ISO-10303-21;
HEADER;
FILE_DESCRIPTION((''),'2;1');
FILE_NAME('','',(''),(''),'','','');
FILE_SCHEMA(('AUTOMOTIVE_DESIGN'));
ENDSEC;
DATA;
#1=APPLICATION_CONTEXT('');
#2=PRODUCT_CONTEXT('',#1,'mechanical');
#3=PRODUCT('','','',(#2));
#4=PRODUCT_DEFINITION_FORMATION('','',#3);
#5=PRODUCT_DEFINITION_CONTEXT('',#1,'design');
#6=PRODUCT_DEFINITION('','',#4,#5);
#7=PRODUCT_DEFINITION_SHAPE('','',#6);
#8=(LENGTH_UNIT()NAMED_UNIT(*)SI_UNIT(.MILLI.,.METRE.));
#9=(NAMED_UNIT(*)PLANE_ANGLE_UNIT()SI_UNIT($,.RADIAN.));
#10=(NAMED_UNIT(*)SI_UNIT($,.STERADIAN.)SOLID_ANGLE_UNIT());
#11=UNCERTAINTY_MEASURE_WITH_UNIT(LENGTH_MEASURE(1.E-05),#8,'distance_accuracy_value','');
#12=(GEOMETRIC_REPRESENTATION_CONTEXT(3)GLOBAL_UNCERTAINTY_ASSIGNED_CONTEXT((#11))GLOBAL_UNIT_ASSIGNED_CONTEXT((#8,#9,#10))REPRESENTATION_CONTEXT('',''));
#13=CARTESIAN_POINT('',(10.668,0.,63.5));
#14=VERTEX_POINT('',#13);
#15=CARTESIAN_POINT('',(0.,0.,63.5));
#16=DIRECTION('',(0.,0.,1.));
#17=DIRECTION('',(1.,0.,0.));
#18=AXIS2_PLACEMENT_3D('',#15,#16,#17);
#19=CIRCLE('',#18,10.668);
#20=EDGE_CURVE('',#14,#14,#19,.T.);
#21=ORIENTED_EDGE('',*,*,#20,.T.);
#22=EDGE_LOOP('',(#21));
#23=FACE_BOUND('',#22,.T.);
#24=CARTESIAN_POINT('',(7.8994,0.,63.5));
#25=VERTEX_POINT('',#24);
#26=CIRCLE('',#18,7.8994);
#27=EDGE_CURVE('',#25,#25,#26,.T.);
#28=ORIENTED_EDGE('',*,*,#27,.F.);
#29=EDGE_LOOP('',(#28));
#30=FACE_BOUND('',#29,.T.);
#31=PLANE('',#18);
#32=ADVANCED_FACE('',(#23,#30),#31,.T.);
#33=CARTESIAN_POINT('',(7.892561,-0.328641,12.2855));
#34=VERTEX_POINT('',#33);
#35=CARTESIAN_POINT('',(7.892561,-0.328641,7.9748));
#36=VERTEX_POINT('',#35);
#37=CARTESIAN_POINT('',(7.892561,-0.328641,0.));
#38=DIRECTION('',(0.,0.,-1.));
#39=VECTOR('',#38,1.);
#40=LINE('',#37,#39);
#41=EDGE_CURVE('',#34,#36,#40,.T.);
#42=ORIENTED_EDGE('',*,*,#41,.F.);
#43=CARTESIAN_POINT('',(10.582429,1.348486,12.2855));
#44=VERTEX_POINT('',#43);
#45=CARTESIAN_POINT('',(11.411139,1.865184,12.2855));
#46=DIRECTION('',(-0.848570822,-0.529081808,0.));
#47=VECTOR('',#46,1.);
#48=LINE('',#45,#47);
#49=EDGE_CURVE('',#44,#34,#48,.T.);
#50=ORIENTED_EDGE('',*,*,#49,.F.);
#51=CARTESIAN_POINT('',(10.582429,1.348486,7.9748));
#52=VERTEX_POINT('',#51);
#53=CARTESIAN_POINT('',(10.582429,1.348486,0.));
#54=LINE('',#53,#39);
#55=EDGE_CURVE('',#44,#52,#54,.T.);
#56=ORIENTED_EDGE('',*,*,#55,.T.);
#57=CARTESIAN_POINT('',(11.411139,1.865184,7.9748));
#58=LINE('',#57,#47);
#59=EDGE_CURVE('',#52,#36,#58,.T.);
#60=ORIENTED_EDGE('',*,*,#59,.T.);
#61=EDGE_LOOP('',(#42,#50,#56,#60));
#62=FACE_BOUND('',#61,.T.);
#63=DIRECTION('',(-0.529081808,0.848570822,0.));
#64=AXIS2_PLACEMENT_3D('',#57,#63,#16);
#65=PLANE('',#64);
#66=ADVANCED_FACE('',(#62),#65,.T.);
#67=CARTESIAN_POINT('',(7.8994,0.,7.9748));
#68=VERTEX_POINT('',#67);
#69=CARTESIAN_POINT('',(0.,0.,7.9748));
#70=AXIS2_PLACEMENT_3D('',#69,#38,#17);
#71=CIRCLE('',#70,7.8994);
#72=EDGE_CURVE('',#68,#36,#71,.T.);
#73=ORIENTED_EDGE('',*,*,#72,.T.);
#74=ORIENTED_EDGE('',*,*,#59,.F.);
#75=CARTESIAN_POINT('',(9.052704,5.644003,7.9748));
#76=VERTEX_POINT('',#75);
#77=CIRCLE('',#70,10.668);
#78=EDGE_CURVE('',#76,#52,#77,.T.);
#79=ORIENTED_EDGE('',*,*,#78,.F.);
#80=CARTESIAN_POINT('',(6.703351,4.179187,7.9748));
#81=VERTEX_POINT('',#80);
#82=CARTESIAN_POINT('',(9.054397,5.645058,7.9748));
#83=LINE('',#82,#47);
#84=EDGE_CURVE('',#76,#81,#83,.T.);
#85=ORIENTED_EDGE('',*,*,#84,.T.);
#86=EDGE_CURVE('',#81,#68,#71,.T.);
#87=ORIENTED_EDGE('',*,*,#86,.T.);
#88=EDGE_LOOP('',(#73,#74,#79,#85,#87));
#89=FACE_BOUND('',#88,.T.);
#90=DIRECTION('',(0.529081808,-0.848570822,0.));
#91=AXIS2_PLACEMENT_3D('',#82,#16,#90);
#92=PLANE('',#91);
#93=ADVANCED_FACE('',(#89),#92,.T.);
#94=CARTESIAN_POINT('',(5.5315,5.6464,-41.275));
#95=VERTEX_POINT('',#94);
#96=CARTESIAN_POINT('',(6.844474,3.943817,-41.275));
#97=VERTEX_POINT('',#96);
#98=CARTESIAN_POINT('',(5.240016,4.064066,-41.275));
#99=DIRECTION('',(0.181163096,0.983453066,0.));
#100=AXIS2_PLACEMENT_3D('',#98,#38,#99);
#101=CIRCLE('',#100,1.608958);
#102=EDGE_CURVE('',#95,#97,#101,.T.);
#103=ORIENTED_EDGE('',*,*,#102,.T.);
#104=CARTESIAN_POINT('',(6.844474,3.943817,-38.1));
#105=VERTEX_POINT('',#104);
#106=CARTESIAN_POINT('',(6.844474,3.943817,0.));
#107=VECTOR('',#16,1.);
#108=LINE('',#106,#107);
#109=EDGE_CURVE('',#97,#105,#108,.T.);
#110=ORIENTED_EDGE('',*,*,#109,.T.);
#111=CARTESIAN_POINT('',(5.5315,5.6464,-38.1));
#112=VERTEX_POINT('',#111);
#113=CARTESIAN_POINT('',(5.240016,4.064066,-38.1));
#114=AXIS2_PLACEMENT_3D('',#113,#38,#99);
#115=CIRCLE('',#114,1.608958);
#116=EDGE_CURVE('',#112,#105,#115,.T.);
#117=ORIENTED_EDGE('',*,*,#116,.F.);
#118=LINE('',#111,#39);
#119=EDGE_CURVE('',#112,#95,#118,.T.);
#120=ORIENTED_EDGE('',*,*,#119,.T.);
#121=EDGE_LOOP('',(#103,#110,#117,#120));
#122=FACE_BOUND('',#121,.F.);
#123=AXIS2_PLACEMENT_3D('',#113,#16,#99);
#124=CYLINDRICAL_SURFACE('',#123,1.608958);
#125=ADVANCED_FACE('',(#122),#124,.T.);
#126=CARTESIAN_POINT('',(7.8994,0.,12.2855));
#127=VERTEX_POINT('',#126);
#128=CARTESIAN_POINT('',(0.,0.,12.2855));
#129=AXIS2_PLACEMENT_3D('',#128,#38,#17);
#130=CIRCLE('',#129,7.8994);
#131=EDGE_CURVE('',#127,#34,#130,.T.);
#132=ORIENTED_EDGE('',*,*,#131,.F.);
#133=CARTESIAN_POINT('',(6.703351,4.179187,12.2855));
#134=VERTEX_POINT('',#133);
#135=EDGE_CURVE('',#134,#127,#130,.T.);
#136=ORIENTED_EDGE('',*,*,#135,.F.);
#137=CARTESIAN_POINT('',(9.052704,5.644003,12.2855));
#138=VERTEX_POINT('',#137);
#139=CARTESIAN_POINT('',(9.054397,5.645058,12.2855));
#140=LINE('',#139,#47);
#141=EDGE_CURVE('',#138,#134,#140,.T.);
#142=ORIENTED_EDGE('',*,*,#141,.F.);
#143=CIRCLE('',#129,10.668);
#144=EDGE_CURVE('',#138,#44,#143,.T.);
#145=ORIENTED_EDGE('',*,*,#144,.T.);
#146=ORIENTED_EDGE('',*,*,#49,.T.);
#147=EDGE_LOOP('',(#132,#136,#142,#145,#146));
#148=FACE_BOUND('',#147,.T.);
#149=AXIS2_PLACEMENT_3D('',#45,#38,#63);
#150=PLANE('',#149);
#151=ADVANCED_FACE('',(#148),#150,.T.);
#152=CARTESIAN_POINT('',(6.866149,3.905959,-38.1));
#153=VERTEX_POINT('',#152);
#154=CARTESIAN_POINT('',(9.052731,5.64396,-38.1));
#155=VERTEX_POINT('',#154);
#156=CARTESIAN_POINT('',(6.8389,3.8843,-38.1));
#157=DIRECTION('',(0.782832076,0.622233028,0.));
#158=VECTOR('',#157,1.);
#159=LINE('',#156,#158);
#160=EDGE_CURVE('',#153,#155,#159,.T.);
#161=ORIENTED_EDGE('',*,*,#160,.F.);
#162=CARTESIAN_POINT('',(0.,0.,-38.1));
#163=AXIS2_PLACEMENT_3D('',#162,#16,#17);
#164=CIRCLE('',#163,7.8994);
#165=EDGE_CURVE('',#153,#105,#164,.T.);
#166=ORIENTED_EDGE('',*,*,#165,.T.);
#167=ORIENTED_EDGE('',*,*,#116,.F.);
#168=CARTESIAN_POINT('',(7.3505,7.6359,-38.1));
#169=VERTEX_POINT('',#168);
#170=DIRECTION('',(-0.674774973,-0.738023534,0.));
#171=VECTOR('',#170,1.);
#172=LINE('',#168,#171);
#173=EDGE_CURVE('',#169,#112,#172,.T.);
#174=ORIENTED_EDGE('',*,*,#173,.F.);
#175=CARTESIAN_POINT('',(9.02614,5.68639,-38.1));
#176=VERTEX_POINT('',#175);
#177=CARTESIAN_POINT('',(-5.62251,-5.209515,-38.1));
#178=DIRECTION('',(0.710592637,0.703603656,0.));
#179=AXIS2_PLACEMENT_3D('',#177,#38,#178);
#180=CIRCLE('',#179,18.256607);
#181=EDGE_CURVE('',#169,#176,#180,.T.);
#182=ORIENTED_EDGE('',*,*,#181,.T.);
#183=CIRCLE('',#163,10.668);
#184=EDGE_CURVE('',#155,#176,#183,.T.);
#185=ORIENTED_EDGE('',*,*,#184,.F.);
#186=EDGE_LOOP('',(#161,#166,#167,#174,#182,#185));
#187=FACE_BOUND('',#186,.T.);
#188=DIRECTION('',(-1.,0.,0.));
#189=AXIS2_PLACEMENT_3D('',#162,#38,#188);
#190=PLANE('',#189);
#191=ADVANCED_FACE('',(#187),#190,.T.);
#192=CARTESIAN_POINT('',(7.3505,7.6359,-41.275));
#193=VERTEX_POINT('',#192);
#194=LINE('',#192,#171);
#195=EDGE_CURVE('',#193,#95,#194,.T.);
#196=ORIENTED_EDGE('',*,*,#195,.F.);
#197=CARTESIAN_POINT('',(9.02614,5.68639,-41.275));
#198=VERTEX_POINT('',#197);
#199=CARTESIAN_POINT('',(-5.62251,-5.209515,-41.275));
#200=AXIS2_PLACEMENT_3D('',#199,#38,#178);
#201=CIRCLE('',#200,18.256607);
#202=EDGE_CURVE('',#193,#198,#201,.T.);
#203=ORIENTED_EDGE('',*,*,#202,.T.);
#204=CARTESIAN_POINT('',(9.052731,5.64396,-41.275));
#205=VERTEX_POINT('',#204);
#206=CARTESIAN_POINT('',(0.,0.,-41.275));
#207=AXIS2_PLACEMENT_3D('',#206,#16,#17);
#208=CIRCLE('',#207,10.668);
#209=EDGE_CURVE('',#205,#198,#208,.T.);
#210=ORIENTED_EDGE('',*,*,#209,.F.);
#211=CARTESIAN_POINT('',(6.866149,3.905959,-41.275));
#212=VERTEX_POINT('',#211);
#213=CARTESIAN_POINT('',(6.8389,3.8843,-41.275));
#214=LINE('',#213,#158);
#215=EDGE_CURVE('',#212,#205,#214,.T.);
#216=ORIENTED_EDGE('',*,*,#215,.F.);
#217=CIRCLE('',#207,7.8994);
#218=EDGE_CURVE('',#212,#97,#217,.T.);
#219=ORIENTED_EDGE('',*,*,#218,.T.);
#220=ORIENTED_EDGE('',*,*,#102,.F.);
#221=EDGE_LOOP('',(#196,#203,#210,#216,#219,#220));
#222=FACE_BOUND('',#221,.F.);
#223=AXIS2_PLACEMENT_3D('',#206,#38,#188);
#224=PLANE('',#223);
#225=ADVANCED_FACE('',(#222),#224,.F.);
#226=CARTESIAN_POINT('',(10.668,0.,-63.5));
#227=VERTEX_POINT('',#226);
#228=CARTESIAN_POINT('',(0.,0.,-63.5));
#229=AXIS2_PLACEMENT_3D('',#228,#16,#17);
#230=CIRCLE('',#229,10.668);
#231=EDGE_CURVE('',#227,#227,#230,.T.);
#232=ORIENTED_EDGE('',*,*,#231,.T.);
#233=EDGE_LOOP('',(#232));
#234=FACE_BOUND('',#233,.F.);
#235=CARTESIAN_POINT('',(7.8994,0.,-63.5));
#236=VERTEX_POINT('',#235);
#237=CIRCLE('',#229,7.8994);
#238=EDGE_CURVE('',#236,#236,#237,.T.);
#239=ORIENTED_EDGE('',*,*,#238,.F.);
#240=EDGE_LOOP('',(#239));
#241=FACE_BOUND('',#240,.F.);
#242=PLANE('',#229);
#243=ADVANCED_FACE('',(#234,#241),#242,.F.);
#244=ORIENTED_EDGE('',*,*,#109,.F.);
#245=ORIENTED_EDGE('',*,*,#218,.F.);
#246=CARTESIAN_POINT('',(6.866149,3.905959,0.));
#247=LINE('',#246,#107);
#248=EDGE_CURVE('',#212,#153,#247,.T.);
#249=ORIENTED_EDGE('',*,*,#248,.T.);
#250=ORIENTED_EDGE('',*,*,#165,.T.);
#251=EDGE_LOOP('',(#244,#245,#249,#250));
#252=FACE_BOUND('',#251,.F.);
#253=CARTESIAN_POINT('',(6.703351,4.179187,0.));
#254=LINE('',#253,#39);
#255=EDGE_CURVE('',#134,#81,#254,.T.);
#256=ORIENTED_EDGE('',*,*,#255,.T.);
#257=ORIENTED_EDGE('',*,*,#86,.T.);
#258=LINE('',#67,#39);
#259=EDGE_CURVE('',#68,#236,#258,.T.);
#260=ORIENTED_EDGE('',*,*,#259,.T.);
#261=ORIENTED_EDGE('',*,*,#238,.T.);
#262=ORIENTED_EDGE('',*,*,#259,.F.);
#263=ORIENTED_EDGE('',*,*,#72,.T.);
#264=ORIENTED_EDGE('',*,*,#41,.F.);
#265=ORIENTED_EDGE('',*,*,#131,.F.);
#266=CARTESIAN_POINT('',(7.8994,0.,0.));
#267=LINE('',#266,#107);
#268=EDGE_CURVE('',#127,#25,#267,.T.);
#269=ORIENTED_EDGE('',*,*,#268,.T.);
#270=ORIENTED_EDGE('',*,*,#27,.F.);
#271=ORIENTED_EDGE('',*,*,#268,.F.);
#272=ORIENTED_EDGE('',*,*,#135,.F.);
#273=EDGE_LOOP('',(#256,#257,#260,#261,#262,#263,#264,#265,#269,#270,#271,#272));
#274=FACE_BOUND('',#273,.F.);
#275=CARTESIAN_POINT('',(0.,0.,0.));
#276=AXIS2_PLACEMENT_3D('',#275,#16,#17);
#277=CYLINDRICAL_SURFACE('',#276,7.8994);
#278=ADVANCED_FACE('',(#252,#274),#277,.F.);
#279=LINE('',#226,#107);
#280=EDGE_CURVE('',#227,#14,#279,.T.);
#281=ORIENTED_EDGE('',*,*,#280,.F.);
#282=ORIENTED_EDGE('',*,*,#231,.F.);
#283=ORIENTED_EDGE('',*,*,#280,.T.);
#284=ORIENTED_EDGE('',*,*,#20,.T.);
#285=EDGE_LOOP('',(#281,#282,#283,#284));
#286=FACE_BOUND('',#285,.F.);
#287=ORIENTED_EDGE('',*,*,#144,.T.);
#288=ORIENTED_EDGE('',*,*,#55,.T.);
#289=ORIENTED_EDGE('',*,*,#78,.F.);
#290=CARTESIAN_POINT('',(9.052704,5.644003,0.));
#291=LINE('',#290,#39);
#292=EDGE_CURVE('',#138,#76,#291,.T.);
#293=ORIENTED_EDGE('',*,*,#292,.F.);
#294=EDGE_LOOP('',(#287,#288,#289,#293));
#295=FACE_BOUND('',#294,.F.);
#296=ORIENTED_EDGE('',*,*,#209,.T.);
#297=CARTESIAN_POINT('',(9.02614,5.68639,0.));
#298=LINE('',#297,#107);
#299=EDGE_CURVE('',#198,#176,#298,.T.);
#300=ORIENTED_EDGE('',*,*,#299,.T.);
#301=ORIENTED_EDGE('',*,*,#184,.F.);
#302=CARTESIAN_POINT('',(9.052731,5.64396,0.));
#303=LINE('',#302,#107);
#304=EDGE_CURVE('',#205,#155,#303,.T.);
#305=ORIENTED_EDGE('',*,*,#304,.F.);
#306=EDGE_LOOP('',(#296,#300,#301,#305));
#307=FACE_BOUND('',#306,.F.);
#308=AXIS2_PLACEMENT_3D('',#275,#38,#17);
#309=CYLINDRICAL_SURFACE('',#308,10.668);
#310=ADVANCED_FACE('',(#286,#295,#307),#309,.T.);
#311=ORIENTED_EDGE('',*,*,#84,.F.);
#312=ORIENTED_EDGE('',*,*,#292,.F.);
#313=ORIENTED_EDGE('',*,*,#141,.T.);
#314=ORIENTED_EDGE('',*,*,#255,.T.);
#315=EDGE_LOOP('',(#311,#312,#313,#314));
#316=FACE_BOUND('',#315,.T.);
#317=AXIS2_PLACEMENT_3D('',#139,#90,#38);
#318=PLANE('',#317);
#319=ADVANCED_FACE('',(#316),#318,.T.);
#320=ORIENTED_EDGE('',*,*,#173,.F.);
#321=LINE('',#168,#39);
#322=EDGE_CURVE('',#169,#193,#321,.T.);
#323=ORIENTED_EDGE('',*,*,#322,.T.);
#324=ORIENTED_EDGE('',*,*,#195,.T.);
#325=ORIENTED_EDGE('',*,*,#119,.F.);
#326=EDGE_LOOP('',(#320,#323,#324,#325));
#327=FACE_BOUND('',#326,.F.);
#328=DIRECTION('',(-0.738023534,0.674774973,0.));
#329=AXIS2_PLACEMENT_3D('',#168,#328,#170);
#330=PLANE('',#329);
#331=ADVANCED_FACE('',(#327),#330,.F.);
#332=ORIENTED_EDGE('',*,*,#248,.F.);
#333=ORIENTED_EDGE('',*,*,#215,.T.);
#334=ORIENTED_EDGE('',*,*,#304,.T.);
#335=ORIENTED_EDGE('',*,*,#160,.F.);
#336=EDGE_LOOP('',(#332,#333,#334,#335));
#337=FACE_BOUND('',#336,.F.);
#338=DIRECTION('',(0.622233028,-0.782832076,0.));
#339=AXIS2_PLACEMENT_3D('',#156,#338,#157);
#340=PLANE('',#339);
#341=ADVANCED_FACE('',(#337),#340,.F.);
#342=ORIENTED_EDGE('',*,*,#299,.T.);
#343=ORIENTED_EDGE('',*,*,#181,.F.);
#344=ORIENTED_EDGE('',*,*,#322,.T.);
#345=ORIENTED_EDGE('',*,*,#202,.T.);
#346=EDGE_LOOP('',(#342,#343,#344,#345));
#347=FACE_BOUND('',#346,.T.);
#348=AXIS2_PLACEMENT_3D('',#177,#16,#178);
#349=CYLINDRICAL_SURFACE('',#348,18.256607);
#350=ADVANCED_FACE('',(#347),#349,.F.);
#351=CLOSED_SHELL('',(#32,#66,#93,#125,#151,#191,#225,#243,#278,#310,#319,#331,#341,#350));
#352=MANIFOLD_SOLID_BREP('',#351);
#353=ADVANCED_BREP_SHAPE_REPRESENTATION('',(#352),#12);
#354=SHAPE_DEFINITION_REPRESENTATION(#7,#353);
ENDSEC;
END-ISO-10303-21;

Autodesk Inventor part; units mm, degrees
ref_plane "YZ Plane" through (0, 0, 0) normal (1, 0, 0) x (0, 1, 0)
ref_plane "XZ Plane" through (0, 0, 0) normal (0, 1, 0) x (-1, 0, 0)
ref_plane "XY Plane" through (0, 0, 0) normal (0, 0, 1) x (1, 0, 0)
sketch "Sketch1" plane through (0, 0, 0) normal (0, 0, 1) x (1, 0, 0)
  circle A0 centre (0, 0) radius 7.8994
  circle A1 centre (0, 0) radius 10.668
  dimension "d0" = 15.7988
  dimension "d2" = 21.336
extrude "Extrusion1" add sketch "Sketch1" along normal mid plane 127
ref_plane "Work Plane1" through (0, 0, -38.1) normal (0, 0, -1) x (-1, 0, 0)
sketch "Sketch3" plane through (0, 0, -38.1) normal (0, 0, -1) x (-1, 0, 0)
  line L0 (-7.3505, 7.6359) -> (-5.5315, 5.6464)
  line L1 (-5.5315, 5.6464) -> (-7.3505, 7.6359)
  line L2 (-6.8389, 3.8843) -> (-9.0558, 5.6464)
  arc A0 (-7.3505, 7.6359) -> (-9.0558, 5.6464) centre (5.6213, -5.2084) ccw
  arc A1 (-5.5315, 5.6464) -> (-6.8389, 3.8843) centre (-5.2401, 4.0642) ccw
  point P0 (0, 0)
extrude "Extrusion3" cut sketch "Sketch3" along normal blind 3.175
ref_plane "Work Plane3" through (9.0527, 5.644, 0) normal (0.8486, 0.5291, 0) x (-0.5291, 0.8486, 0)
sketch "Sketch4" plane through (9.0527, 5.644, 0) normal (0.8486, 0.5291, 0) x (-0.5291, 0.8486, 0)
  line L0 (0, 12.2855) -> (0, 7.9748)
  line L1 (0, 7.9748) -> (-4.4544, 7.9748)
  line L2 (-4.4544, 7.9748) -> (-4.4544, 12.2855)
  line L3 (-4.4544, 12.2855) -> (0, 12.2855)
  point P0 (0, 0)
extrude "Extrusion4" cut sketch "Sketch4" against normal blind 6.35
properties part number "PVC Spacer 500 Sched 40" material "PVC-Piping"
